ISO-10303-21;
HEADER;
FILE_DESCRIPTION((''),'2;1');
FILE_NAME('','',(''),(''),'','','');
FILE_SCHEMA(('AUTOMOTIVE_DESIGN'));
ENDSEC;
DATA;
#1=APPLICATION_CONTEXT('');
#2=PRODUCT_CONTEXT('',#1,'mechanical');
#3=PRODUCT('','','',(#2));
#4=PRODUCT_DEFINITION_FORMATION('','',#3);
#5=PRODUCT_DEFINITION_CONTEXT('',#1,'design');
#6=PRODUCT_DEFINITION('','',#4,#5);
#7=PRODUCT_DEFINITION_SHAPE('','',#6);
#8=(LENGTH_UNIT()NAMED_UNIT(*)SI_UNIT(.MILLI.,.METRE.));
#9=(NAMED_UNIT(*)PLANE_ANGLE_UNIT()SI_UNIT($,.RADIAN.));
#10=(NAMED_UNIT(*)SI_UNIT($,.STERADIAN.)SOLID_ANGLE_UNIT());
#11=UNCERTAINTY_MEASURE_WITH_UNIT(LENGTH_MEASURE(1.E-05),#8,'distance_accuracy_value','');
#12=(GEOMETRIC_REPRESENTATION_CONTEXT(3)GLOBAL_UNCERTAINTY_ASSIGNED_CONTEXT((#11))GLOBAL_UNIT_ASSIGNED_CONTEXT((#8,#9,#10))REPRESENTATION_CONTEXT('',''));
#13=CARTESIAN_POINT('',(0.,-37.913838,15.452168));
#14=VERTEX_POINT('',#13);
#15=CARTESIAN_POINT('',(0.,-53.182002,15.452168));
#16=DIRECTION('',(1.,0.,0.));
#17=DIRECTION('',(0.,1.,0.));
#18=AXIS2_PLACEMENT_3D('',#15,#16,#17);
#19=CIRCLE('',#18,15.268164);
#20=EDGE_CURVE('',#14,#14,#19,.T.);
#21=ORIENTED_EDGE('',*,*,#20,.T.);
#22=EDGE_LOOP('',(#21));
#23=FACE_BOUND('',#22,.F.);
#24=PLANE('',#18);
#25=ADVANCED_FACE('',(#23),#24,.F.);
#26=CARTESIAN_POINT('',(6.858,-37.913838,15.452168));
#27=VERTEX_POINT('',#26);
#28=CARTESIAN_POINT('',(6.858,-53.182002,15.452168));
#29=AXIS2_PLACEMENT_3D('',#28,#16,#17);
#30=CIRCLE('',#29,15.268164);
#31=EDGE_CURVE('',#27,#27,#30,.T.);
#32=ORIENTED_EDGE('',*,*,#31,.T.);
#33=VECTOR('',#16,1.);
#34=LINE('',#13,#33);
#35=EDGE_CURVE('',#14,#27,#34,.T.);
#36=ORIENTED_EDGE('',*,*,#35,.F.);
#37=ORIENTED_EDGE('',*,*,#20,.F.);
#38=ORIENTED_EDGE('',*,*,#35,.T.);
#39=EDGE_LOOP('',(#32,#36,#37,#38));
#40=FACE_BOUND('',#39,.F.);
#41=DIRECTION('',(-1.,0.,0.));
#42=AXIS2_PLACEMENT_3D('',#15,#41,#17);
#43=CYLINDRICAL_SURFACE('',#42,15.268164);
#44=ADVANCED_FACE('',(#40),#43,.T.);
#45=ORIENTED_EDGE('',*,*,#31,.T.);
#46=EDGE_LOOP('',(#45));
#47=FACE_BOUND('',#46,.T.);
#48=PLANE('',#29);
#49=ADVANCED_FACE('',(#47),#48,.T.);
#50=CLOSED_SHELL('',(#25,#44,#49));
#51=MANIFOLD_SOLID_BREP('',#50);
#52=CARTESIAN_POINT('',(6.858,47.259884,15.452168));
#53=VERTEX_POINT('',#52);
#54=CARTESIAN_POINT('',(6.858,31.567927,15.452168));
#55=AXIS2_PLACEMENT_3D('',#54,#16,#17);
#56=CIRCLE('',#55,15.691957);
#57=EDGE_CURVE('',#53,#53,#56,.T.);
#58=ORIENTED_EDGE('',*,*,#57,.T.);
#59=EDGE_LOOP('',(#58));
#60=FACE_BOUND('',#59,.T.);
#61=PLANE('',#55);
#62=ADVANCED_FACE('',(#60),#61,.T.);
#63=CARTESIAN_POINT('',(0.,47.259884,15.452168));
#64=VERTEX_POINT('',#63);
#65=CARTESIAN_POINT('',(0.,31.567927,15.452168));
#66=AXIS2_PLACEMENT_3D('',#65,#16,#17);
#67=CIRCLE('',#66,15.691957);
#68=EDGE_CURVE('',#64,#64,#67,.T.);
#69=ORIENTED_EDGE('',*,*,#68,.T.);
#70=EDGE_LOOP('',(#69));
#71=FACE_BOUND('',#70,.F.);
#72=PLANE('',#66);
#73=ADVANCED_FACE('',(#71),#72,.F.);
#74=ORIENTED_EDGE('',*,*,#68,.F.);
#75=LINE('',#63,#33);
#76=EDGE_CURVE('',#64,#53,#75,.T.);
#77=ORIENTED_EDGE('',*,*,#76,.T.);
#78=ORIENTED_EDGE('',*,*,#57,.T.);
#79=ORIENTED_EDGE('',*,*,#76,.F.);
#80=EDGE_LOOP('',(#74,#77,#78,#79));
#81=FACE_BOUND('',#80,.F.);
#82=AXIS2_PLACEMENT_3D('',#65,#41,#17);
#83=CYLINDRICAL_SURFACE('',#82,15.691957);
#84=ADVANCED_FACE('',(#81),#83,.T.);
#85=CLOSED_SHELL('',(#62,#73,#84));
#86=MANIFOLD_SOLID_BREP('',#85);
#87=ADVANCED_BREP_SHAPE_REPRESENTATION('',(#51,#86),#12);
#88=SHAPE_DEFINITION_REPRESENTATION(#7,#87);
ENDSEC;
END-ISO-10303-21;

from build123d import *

# Parameters (mm, degrees)
F1_R     = 15.268164
F2_DEPTH = 6.858
F3_R     = 15.691957
F4_DEPTH = 6.858


with BuildPart() as f2:
    # F1 (on face) → F2 (new body)
    with BuildSketch(Plane.YZ):
        with Locations((-53.182002, 15.452168)):
            Circle(F1_R)
    extrude(amount=F2_DEPTH)


with BuildPart() as f4:
    # F3 (on face) → F4 (new body)
    with BuildSketch(Plane.YZ):
        with Locations((31.567927, 15.452168)):
            Circle(F3_R)
    extrude(amount=F4_DEPTH)


solid = Compound([f2.part, f4.part])
